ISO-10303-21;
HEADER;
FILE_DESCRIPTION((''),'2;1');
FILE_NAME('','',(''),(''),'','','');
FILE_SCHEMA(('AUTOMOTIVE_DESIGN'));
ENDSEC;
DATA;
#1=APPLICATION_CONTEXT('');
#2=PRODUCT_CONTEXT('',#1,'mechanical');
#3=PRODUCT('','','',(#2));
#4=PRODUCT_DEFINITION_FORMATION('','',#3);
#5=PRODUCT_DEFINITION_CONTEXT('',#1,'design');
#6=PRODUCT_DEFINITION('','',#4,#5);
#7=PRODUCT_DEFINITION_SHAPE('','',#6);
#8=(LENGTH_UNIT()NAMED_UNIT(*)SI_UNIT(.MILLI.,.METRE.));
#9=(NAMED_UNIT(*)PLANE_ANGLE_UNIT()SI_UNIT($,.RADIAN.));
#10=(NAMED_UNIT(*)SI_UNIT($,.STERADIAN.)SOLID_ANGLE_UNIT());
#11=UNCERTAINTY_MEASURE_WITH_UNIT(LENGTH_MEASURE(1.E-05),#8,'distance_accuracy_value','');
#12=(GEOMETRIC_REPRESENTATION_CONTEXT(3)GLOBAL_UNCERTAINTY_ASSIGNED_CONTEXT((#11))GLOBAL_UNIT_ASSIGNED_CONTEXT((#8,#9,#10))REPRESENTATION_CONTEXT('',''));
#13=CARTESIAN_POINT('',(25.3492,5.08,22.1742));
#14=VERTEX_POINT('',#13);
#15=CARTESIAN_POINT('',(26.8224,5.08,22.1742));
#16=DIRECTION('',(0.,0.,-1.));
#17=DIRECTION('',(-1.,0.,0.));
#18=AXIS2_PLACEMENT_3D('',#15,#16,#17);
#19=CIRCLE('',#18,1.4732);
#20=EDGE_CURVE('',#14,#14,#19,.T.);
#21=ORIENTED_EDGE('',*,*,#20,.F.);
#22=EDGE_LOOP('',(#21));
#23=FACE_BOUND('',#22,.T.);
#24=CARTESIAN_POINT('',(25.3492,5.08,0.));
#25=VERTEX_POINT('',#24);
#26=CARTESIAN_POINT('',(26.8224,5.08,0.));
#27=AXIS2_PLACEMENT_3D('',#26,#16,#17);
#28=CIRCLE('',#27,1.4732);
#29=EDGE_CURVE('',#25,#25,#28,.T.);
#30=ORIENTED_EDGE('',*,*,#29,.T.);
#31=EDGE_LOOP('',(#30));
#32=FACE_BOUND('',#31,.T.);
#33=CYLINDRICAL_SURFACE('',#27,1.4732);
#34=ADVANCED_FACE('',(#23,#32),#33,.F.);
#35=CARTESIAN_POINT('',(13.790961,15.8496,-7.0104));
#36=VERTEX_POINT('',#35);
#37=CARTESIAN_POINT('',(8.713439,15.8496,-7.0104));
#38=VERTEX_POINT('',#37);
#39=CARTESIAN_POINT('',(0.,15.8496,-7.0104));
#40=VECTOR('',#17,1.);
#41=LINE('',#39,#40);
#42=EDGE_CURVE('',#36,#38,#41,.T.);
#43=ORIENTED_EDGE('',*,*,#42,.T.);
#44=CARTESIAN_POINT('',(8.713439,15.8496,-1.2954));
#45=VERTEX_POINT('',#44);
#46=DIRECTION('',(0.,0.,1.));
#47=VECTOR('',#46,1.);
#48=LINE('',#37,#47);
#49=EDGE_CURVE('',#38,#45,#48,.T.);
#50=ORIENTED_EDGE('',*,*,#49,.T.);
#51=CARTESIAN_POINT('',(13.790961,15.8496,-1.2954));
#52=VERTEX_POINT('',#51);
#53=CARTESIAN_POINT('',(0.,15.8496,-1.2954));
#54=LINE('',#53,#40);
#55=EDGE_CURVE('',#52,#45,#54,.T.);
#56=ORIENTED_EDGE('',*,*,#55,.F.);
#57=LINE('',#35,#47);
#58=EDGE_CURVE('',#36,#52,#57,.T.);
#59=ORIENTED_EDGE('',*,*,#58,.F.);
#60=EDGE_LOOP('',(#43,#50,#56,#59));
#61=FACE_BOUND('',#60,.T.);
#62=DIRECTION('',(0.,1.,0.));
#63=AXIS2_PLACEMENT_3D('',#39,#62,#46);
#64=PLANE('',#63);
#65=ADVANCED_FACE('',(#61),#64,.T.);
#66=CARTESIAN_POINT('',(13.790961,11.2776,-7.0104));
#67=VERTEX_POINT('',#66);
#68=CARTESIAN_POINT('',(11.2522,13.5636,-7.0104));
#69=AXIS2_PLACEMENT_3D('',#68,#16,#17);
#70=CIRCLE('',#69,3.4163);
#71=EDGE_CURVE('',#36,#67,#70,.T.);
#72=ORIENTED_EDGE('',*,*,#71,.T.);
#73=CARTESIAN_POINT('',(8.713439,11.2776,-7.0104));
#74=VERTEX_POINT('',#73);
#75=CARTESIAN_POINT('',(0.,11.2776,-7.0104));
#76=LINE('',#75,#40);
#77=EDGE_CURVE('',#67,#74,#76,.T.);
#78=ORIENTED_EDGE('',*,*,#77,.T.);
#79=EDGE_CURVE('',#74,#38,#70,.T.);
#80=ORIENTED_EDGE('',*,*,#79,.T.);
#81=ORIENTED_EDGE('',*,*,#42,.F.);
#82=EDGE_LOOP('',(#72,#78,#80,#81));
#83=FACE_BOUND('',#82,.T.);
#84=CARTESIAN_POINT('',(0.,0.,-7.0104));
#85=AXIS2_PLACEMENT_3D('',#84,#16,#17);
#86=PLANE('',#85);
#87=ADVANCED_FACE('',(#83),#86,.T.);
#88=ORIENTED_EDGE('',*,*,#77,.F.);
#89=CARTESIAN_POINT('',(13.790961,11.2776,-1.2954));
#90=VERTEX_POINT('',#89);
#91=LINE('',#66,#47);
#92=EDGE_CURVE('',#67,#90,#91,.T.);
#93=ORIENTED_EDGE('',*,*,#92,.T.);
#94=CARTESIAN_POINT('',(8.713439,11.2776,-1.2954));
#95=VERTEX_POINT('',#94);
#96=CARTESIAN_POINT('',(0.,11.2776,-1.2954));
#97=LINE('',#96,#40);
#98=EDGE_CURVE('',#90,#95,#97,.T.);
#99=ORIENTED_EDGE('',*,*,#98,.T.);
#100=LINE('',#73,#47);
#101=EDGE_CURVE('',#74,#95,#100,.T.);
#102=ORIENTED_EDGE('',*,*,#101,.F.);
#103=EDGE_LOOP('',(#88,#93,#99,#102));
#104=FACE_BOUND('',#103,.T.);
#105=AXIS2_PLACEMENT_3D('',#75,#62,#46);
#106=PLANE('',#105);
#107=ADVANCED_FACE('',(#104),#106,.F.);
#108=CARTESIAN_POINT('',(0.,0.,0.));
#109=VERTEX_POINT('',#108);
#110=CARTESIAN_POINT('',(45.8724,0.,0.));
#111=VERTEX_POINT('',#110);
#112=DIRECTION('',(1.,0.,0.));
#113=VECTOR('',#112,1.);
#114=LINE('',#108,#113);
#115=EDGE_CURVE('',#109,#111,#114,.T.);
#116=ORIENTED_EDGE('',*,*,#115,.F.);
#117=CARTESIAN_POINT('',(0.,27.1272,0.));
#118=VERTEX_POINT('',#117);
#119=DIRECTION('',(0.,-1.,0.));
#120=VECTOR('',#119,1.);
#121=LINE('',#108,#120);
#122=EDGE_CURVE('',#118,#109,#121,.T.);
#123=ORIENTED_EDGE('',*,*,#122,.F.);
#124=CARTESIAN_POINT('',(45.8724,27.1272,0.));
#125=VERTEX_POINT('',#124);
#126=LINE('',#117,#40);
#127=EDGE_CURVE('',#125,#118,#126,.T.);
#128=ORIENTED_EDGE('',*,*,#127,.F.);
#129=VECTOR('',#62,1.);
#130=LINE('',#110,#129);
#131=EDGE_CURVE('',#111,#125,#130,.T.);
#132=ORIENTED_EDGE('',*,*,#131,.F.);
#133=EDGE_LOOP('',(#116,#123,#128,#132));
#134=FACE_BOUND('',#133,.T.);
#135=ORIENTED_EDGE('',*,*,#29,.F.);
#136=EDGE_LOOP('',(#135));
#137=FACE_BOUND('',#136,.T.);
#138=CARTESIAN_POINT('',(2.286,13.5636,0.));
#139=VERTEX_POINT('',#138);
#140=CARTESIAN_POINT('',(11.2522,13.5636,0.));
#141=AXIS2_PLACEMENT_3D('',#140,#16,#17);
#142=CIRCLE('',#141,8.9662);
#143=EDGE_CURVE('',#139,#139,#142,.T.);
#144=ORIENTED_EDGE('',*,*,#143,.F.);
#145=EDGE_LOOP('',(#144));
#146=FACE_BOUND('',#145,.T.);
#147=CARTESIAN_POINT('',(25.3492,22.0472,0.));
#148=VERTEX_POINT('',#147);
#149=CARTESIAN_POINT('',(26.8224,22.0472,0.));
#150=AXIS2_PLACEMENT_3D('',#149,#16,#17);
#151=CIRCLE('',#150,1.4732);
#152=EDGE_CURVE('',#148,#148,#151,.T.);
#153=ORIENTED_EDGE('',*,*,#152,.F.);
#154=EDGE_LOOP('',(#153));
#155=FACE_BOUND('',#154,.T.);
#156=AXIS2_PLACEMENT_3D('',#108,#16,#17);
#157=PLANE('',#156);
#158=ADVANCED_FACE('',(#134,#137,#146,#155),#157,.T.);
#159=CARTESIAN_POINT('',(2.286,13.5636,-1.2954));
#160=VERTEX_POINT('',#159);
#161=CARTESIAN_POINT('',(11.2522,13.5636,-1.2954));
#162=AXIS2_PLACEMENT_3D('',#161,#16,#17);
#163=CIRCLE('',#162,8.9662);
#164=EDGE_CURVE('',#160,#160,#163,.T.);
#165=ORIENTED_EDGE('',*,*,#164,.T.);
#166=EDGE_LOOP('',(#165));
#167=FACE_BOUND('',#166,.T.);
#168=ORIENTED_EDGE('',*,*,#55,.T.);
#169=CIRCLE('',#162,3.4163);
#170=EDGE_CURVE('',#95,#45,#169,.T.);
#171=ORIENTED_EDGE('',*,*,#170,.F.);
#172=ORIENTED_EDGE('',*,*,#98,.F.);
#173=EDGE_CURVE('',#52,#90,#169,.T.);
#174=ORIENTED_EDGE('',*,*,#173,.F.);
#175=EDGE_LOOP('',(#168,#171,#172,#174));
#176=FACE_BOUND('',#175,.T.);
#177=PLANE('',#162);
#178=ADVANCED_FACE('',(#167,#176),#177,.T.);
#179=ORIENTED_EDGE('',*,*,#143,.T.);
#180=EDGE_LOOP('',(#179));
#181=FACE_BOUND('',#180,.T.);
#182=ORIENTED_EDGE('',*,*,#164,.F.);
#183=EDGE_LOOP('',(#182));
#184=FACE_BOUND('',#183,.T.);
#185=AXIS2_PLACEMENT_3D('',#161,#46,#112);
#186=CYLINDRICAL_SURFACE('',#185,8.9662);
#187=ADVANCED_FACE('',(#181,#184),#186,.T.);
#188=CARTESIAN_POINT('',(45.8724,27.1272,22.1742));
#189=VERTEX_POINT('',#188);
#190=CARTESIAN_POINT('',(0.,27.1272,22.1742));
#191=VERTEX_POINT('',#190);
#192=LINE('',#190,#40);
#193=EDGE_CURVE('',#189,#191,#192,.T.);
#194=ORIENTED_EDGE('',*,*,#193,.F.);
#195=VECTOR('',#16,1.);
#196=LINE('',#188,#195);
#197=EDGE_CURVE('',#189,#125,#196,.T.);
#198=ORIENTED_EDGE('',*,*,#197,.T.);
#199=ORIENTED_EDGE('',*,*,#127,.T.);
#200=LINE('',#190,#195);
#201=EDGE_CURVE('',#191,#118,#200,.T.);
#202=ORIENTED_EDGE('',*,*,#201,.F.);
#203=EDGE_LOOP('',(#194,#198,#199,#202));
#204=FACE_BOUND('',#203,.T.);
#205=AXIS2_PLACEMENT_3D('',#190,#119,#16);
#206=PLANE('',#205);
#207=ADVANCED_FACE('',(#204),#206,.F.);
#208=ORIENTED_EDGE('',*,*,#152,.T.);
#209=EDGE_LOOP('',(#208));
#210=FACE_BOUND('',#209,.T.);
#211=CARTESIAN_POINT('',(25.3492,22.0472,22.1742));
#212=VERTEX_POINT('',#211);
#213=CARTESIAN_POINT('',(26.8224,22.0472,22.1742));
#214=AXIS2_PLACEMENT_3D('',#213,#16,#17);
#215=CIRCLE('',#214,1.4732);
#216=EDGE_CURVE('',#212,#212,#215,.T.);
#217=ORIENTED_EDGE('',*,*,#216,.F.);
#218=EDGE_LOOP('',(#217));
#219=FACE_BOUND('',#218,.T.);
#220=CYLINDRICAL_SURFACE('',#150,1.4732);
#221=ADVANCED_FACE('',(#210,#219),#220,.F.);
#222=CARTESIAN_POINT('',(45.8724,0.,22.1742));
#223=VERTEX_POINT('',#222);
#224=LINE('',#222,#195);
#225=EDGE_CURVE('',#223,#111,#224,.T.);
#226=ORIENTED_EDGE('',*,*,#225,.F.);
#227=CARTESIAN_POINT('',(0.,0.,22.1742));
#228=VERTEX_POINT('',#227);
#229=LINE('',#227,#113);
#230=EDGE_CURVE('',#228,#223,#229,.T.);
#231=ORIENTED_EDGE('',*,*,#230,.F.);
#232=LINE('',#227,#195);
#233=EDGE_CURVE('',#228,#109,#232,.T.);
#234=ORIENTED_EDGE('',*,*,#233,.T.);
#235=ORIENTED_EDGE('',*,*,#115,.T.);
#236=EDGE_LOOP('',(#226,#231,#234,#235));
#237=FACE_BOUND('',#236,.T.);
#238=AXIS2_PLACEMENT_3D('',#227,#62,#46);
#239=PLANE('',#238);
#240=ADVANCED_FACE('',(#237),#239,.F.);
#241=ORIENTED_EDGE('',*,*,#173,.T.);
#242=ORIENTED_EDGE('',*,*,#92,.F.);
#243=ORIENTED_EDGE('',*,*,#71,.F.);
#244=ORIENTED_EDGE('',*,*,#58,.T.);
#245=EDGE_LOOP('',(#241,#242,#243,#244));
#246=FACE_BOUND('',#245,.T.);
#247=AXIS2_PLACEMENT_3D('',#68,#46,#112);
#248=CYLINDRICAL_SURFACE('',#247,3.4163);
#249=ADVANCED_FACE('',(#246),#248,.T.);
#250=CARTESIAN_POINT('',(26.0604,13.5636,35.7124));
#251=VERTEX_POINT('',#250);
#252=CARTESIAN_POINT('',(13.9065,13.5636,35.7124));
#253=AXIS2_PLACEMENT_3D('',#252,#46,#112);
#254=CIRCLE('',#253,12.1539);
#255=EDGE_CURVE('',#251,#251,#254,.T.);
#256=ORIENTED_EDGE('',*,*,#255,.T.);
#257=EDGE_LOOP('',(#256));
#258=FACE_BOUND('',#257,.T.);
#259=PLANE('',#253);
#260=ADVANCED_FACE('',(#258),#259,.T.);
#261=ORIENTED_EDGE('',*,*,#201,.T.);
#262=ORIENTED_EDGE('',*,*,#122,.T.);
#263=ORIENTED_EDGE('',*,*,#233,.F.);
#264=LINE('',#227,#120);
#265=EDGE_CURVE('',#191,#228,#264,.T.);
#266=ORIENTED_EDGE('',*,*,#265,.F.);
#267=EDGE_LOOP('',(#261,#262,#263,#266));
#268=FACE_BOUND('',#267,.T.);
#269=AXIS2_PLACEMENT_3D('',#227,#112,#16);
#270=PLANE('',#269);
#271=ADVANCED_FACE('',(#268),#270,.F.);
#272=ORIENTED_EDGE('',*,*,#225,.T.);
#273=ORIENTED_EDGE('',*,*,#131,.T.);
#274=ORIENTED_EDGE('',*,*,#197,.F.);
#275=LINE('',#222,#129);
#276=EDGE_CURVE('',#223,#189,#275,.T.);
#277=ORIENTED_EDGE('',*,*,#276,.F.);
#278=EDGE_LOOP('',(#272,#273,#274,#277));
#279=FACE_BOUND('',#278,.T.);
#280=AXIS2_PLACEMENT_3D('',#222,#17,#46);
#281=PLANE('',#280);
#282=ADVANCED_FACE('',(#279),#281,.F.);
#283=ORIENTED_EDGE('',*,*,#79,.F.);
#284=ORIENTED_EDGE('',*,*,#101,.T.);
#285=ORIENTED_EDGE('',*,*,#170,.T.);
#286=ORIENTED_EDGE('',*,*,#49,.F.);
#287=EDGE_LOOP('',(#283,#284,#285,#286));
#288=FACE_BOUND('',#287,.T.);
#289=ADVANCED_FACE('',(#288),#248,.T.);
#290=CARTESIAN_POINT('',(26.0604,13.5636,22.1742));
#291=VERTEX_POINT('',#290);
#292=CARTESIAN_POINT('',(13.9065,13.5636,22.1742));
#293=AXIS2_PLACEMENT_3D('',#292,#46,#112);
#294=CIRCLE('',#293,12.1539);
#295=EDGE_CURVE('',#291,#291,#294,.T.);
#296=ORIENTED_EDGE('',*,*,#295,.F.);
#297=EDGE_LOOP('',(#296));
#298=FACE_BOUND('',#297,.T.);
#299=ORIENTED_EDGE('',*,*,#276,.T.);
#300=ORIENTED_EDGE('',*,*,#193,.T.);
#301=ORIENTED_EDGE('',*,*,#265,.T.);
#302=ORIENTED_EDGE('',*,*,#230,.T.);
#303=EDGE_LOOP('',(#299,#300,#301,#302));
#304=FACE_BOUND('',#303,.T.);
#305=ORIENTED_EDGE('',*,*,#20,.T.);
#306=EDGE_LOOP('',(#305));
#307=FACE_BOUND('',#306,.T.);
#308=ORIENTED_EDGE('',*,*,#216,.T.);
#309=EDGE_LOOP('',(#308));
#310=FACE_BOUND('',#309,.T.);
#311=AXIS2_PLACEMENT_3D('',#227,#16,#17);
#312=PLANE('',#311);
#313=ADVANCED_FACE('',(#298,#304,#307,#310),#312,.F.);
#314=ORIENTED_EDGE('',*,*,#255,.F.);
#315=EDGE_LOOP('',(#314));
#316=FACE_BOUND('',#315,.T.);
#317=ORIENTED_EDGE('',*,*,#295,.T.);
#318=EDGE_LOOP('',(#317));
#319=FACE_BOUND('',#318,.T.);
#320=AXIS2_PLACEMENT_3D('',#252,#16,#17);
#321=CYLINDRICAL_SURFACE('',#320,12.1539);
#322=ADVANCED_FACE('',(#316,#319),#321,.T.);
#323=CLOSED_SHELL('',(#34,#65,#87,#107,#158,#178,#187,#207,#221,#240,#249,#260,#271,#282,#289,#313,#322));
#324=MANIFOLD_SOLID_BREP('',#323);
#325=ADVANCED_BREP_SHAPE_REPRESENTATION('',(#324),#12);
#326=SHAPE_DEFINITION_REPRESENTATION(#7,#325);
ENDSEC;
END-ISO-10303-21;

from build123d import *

# Parameters (mm, degrees)
SKETCH1_W                   = 45.8724
SKETCH1_H                   = 27.1272
BOSS_EXTRUDE1_DEPTH         = 22.1742
SKETCH2_R                   = 12.1539
BOSS_EXTRUDE2_DEPTH         = 13.5382
SKETCH3_R                   = 8.9662
BOSS_EXTRUDE3_DEPTH         = 1.2954
BOSS_EXTRUDE4_DEPTH         = 5.715
F_32_0_116_DIAMETER_HOLE1_D = 2.9464


with BuildPart() as part:
    # Sketch1 → Boss-Extrude1 (new body)
    with BuildSketch(Plane.XY):
        with Locations((22.9362, 13.5636)):
            Rectangle(SKETCH1_W, SKETCH1_H)
    extrude(amount=BOSS_EXTRUDE1_DEPTH)

    # Sketch2 → Boss-Extrude2 (add)
    with BuildSketch(Plane.XY.offset(22.1742)):
        with Locations((13.9065, 13.5636)):
            Circle(SKETCH2_R)
    extrude(amount=BOSS_EXTRUDE2_DEPTH)

    # Sketch3 → Boss-Extrude3 (add)
    with BuildSketch(Plane(origin=(0, 0, 0), x_dir=(-1, 0, 0), z_dir=(0, 0, -1))):
        with Locations((-11.2522, 13.5636)):
            Circle(SKETCH3_R)
    extrude(amount=BOSS_EXTRUDE3_DEPTH)

    # Sketch4 → Boss-Extrude4 (add)
    with BuildSketch(Plane(origin=(0, 0, -1.2954), x_dir=(-1, 0, 0), z_dir=(0, 0, -1))):
        with BuildLine():
            Line((-8.713438552, 15.8496), (-13.790961448, 15.8496))
            ThreePointArc((-13.790961448, 15.8496), (-14.6685, 13.5636), (-13.790961448, 11.2776))
            Line((-13.790961448, 11.2776), (-8.713438552, 11.2776))
            ThreePointArc((-8.713438552, 11.2776), (-8.06282103, 12.339276727), (-7.8359, 13.5636))
            ThreePointArc((-7.8359, 13.5636), (-8.06282103, 14.787923273), (-8.713438552, 15.8496))
        make_face()
    extrude(amount=BOSS_EXTRUDE4_DEPTH)

    # #32 (0.116) Diameter Hole1 (through all)
    with Locations(Plane(origin=(0, 0, 0), x_dir=(-1, 0, 0), z_dir=(0, 0, -1))):
        with Locations((-26.8224, 22.0472), (-26.8224, 5.08)):
            Hole(F_32_0_116_DIAMETER_HOLE1_D / 2)


solid = part.part
